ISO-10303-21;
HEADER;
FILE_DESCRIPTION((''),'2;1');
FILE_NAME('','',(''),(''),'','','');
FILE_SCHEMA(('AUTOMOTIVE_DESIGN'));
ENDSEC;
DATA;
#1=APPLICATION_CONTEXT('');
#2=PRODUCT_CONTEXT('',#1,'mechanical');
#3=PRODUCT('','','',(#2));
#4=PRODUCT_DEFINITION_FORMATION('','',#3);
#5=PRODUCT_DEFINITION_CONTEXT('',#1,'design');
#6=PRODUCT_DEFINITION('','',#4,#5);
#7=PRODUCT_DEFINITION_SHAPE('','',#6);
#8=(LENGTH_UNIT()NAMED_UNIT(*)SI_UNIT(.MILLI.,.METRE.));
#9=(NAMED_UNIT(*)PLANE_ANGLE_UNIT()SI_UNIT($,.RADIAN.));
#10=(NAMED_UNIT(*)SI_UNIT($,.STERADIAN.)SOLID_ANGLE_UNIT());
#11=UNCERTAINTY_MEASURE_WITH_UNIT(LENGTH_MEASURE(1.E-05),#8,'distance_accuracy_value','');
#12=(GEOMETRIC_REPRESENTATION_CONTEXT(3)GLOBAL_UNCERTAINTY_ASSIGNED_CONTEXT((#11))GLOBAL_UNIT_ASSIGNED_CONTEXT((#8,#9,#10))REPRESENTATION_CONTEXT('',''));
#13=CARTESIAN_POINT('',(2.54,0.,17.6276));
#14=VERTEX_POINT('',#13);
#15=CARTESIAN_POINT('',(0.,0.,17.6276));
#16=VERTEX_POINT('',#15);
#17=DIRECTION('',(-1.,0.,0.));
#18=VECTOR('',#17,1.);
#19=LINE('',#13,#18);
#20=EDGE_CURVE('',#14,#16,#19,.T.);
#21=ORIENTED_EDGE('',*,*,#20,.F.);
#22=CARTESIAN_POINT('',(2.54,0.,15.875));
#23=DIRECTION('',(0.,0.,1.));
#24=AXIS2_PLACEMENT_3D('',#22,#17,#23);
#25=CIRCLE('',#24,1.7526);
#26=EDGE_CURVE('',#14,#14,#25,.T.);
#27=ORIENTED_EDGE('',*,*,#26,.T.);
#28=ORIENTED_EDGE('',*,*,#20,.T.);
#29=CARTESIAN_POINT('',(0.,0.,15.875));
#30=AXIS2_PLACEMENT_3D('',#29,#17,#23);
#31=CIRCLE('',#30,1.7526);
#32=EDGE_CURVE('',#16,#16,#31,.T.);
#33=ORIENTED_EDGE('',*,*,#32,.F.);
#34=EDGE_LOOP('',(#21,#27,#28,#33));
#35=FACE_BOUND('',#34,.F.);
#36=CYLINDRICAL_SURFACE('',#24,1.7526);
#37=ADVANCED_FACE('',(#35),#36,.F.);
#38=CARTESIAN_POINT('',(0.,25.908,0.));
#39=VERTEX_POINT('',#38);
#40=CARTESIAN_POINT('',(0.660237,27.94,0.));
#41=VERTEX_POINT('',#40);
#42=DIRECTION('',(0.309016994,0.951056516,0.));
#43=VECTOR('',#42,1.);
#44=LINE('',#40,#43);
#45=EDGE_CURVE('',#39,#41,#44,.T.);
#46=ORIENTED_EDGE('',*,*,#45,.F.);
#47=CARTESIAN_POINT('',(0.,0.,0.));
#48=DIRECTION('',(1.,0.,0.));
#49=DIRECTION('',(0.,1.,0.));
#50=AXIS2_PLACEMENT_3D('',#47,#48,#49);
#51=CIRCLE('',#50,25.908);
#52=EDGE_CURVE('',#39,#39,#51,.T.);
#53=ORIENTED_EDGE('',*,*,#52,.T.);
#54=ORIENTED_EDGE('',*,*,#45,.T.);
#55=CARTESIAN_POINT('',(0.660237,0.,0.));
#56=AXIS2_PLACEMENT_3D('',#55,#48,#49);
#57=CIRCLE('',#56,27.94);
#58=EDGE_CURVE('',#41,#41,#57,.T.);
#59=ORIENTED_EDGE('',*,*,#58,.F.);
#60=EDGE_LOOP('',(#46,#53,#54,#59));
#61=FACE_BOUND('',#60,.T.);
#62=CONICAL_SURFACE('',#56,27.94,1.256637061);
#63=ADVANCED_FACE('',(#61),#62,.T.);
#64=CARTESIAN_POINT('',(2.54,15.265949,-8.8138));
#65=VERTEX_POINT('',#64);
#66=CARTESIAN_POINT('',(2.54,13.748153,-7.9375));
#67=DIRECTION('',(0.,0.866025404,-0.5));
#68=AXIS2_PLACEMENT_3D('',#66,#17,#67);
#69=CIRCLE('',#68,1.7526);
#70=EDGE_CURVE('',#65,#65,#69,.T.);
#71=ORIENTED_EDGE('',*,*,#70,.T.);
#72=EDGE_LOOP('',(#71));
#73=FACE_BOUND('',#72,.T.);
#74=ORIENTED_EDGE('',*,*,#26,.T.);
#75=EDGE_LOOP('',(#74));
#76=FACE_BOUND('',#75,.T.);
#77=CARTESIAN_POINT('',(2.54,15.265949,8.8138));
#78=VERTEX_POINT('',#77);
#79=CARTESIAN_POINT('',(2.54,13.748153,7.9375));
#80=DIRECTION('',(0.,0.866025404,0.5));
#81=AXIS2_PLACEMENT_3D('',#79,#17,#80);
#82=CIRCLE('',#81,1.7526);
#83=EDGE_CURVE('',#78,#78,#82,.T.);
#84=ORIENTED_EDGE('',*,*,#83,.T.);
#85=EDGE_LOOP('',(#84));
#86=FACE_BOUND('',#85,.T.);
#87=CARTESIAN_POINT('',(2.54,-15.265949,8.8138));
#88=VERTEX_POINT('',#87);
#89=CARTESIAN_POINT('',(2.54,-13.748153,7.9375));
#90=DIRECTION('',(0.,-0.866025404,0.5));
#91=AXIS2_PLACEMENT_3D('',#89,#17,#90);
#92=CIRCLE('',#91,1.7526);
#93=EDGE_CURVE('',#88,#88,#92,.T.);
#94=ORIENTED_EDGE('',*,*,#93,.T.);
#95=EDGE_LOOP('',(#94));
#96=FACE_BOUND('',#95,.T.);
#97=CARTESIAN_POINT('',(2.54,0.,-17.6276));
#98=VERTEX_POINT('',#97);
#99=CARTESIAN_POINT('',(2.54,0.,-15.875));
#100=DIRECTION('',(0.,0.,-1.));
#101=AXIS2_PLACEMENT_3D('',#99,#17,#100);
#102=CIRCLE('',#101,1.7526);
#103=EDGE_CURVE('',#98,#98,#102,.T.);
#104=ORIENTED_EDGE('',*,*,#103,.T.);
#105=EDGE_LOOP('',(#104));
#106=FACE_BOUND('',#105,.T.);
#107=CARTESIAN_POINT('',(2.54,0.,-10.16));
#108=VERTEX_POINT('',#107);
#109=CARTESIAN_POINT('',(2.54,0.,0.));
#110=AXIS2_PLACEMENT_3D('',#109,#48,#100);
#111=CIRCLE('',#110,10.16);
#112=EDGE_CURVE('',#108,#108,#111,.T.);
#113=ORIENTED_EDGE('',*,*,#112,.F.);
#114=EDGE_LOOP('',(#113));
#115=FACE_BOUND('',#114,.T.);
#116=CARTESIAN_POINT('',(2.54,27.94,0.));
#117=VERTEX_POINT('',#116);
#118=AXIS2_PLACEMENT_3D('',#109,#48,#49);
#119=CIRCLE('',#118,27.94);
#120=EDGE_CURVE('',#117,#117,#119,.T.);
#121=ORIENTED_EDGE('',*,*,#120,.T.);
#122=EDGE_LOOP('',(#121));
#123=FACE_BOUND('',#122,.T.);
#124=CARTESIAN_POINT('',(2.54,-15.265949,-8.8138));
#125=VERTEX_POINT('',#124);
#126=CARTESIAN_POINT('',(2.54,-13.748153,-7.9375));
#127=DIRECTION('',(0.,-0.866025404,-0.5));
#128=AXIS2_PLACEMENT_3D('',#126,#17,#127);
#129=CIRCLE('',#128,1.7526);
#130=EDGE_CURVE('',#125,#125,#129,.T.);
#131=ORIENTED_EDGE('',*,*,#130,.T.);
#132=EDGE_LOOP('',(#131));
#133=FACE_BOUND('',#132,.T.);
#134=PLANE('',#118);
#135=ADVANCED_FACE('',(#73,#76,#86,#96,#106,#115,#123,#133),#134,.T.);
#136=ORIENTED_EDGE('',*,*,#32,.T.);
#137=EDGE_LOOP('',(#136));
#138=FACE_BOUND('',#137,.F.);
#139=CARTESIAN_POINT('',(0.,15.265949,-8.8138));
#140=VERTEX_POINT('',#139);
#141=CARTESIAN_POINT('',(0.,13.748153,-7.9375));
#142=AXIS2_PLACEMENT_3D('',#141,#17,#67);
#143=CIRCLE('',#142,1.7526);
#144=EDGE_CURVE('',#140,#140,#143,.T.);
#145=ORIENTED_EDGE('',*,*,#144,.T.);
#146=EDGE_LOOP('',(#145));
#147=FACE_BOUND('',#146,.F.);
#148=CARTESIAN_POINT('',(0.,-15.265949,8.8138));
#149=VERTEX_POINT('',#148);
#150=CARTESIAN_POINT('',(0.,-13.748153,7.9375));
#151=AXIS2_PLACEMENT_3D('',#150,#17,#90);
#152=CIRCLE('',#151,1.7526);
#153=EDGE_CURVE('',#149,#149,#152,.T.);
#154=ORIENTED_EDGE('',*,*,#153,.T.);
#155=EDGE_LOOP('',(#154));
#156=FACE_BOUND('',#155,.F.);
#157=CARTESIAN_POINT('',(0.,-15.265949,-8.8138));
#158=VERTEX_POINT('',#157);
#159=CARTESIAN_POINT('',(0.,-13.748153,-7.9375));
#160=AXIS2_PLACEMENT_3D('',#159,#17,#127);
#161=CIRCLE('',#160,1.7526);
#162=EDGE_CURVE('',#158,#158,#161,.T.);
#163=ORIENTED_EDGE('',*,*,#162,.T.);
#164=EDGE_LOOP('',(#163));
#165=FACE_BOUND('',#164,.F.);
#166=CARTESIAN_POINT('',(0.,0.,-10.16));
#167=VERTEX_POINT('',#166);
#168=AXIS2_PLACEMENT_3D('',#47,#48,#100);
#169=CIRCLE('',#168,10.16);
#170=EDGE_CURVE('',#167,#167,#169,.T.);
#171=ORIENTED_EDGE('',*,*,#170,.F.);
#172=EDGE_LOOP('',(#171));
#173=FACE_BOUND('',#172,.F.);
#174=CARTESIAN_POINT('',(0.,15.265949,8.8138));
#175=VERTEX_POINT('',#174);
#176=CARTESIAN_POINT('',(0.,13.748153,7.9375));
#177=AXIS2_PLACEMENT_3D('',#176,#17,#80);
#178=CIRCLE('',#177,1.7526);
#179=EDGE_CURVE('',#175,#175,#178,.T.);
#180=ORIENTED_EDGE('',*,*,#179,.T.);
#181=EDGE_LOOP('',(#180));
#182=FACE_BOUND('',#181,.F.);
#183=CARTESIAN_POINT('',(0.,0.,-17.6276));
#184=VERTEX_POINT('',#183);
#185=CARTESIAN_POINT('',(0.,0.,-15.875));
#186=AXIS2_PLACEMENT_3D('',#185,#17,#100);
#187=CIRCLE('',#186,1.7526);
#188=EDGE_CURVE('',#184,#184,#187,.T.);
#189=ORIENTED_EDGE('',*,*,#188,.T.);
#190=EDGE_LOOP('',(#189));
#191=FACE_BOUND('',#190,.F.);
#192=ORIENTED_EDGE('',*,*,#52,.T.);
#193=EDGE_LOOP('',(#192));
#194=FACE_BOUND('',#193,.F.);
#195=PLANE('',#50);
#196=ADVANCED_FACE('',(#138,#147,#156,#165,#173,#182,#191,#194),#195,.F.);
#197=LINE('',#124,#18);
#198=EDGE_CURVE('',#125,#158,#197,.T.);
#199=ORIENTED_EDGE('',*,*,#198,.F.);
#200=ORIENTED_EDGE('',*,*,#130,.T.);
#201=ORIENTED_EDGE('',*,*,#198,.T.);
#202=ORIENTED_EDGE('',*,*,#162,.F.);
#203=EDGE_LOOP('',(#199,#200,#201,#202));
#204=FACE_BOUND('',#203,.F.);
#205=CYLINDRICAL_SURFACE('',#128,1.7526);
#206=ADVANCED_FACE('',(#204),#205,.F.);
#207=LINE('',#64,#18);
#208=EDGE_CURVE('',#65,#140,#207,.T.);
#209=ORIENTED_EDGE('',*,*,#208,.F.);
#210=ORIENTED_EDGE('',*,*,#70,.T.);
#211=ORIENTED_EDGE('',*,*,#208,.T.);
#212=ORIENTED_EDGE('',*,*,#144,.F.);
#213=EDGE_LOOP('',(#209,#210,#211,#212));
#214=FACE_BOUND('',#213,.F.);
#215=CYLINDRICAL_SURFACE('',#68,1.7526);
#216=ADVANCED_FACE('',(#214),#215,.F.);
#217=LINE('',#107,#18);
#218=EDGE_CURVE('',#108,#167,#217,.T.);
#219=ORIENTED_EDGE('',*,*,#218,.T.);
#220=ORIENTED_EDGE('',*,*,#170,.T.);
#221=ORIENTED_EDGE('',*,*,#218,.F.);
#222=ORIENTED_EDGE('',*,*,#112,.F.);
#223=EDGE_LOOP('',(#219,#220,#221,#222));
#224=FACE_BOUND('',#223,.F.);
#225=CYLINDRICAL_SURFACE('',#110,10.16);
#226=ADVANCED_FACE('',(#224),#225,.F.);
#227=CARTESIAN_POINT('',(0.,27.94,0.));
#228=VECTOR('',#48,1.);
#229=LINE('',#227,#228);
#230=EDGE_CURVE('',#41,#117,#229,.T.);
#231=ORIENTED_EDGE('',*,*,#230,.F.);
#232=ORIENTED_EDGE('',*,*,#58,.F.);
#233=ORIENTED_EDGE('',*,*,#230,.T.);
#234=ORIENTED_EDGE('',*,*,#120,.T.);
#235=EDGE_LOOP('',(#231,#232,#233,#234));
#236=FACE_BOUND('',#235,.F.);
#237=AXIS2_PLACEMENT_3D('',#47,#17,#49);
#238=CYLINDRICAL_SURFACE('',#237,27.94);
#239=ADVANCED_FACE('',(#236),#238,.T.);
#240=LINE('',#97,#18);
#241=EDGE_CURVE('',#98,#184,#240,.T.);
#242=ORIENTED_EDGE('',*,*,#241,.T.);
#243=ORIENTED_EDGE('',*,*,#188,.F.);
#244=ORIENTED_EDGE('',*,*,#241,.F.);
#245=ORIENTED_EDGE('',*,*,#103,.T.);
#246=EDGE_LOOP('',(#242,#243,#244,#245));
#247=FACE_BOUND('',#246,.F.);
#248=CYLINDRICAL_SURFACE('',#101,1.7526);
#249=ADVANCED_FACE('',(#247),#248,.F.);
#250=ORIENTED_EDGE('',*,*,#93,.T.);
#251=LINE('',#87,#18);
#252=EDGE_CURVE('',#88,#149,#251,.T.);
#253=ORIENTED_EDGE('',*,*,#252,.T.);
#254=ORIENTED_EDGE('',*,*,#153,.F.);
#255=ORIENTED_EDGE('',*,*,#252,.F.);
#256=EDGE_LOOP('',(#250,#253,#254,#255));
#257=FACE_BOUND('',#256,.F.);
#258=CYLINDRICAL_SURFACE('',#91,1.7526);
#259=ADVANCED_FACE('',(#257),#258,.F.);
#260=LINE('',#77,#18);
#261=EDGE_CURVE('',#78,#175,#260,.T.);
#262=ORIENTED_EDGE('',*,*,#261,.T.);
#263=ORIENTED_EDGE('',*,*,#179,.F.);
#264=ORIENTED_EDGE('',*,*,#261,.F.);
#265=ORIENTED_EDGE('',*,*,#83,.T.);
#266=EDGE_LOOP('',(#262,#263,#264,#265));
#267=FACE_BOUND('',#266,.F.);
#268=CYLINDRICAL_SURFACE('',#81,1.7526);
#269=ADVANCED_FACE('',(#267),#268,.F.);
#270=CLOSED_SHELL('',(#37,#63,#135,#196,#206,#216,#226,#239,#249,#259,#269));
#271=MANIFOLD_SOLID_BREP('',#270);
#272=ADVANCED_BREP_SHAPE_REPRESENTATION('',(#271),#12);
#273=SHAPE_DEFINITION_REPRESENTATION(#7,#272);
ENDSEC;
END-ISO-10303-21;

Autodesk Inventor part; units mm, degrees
ref_plane "YZ Plane" through (0, 0, 0) normal (1, 0, 0) x (0, 1, 0)
ref_plane "XZ Plane" through (0, 0, 0) normal (0, 1, 0) x (-1, 0, 0)
ref_plane "XY Plane" through (0, 0, 0) normal (0, 0, 1) x (1, 0, 0)
sketch "Sketch1" plane through (0, 0, 0) normal (1, 0, 0) x (0, 1, 0)
  circle A0 centre (0, 0) radius 27.94
  dimension "d0" = 55.88
extrude "Extrusion1" add sketch "Sketch1" along normal blind 2.54
sketch "Sketch3" plane through (2.54, 0, 0) normal (1, 0, 0) x (0, 0, -1)
  point P0 (0, 0)
  point P1 (15.875, 0)
  dimension "d6" = 15.875
hole "Hole1" at (2.54, 0, -15.875) direction (-1, 0, 0) diameter 3.5052 end through all
pattern_circular "Circular Pattern1" count 6 over 360 about axis through (-10, 0, 0) along (1, 0, 0) of "Hole1"
chamfer "Chamfer1" distance 2.032 angle 18 1 edges at (0, -27.94, 0) measured on face at (0, 4.0768, 2.3537)
sketch "Sketch4" plane through (2.54, 0, 0) normal (1, 0, 0) x (0, 0, -1)
  circle A0 centre (0, 0) radius 10.16
  dimension "d20" = 20.32
extrude "Extrusion3" cut sketch "Sketch4" against normal through all
properties part number "ScorpioSprocketFlange" material "ABS Plastic"
